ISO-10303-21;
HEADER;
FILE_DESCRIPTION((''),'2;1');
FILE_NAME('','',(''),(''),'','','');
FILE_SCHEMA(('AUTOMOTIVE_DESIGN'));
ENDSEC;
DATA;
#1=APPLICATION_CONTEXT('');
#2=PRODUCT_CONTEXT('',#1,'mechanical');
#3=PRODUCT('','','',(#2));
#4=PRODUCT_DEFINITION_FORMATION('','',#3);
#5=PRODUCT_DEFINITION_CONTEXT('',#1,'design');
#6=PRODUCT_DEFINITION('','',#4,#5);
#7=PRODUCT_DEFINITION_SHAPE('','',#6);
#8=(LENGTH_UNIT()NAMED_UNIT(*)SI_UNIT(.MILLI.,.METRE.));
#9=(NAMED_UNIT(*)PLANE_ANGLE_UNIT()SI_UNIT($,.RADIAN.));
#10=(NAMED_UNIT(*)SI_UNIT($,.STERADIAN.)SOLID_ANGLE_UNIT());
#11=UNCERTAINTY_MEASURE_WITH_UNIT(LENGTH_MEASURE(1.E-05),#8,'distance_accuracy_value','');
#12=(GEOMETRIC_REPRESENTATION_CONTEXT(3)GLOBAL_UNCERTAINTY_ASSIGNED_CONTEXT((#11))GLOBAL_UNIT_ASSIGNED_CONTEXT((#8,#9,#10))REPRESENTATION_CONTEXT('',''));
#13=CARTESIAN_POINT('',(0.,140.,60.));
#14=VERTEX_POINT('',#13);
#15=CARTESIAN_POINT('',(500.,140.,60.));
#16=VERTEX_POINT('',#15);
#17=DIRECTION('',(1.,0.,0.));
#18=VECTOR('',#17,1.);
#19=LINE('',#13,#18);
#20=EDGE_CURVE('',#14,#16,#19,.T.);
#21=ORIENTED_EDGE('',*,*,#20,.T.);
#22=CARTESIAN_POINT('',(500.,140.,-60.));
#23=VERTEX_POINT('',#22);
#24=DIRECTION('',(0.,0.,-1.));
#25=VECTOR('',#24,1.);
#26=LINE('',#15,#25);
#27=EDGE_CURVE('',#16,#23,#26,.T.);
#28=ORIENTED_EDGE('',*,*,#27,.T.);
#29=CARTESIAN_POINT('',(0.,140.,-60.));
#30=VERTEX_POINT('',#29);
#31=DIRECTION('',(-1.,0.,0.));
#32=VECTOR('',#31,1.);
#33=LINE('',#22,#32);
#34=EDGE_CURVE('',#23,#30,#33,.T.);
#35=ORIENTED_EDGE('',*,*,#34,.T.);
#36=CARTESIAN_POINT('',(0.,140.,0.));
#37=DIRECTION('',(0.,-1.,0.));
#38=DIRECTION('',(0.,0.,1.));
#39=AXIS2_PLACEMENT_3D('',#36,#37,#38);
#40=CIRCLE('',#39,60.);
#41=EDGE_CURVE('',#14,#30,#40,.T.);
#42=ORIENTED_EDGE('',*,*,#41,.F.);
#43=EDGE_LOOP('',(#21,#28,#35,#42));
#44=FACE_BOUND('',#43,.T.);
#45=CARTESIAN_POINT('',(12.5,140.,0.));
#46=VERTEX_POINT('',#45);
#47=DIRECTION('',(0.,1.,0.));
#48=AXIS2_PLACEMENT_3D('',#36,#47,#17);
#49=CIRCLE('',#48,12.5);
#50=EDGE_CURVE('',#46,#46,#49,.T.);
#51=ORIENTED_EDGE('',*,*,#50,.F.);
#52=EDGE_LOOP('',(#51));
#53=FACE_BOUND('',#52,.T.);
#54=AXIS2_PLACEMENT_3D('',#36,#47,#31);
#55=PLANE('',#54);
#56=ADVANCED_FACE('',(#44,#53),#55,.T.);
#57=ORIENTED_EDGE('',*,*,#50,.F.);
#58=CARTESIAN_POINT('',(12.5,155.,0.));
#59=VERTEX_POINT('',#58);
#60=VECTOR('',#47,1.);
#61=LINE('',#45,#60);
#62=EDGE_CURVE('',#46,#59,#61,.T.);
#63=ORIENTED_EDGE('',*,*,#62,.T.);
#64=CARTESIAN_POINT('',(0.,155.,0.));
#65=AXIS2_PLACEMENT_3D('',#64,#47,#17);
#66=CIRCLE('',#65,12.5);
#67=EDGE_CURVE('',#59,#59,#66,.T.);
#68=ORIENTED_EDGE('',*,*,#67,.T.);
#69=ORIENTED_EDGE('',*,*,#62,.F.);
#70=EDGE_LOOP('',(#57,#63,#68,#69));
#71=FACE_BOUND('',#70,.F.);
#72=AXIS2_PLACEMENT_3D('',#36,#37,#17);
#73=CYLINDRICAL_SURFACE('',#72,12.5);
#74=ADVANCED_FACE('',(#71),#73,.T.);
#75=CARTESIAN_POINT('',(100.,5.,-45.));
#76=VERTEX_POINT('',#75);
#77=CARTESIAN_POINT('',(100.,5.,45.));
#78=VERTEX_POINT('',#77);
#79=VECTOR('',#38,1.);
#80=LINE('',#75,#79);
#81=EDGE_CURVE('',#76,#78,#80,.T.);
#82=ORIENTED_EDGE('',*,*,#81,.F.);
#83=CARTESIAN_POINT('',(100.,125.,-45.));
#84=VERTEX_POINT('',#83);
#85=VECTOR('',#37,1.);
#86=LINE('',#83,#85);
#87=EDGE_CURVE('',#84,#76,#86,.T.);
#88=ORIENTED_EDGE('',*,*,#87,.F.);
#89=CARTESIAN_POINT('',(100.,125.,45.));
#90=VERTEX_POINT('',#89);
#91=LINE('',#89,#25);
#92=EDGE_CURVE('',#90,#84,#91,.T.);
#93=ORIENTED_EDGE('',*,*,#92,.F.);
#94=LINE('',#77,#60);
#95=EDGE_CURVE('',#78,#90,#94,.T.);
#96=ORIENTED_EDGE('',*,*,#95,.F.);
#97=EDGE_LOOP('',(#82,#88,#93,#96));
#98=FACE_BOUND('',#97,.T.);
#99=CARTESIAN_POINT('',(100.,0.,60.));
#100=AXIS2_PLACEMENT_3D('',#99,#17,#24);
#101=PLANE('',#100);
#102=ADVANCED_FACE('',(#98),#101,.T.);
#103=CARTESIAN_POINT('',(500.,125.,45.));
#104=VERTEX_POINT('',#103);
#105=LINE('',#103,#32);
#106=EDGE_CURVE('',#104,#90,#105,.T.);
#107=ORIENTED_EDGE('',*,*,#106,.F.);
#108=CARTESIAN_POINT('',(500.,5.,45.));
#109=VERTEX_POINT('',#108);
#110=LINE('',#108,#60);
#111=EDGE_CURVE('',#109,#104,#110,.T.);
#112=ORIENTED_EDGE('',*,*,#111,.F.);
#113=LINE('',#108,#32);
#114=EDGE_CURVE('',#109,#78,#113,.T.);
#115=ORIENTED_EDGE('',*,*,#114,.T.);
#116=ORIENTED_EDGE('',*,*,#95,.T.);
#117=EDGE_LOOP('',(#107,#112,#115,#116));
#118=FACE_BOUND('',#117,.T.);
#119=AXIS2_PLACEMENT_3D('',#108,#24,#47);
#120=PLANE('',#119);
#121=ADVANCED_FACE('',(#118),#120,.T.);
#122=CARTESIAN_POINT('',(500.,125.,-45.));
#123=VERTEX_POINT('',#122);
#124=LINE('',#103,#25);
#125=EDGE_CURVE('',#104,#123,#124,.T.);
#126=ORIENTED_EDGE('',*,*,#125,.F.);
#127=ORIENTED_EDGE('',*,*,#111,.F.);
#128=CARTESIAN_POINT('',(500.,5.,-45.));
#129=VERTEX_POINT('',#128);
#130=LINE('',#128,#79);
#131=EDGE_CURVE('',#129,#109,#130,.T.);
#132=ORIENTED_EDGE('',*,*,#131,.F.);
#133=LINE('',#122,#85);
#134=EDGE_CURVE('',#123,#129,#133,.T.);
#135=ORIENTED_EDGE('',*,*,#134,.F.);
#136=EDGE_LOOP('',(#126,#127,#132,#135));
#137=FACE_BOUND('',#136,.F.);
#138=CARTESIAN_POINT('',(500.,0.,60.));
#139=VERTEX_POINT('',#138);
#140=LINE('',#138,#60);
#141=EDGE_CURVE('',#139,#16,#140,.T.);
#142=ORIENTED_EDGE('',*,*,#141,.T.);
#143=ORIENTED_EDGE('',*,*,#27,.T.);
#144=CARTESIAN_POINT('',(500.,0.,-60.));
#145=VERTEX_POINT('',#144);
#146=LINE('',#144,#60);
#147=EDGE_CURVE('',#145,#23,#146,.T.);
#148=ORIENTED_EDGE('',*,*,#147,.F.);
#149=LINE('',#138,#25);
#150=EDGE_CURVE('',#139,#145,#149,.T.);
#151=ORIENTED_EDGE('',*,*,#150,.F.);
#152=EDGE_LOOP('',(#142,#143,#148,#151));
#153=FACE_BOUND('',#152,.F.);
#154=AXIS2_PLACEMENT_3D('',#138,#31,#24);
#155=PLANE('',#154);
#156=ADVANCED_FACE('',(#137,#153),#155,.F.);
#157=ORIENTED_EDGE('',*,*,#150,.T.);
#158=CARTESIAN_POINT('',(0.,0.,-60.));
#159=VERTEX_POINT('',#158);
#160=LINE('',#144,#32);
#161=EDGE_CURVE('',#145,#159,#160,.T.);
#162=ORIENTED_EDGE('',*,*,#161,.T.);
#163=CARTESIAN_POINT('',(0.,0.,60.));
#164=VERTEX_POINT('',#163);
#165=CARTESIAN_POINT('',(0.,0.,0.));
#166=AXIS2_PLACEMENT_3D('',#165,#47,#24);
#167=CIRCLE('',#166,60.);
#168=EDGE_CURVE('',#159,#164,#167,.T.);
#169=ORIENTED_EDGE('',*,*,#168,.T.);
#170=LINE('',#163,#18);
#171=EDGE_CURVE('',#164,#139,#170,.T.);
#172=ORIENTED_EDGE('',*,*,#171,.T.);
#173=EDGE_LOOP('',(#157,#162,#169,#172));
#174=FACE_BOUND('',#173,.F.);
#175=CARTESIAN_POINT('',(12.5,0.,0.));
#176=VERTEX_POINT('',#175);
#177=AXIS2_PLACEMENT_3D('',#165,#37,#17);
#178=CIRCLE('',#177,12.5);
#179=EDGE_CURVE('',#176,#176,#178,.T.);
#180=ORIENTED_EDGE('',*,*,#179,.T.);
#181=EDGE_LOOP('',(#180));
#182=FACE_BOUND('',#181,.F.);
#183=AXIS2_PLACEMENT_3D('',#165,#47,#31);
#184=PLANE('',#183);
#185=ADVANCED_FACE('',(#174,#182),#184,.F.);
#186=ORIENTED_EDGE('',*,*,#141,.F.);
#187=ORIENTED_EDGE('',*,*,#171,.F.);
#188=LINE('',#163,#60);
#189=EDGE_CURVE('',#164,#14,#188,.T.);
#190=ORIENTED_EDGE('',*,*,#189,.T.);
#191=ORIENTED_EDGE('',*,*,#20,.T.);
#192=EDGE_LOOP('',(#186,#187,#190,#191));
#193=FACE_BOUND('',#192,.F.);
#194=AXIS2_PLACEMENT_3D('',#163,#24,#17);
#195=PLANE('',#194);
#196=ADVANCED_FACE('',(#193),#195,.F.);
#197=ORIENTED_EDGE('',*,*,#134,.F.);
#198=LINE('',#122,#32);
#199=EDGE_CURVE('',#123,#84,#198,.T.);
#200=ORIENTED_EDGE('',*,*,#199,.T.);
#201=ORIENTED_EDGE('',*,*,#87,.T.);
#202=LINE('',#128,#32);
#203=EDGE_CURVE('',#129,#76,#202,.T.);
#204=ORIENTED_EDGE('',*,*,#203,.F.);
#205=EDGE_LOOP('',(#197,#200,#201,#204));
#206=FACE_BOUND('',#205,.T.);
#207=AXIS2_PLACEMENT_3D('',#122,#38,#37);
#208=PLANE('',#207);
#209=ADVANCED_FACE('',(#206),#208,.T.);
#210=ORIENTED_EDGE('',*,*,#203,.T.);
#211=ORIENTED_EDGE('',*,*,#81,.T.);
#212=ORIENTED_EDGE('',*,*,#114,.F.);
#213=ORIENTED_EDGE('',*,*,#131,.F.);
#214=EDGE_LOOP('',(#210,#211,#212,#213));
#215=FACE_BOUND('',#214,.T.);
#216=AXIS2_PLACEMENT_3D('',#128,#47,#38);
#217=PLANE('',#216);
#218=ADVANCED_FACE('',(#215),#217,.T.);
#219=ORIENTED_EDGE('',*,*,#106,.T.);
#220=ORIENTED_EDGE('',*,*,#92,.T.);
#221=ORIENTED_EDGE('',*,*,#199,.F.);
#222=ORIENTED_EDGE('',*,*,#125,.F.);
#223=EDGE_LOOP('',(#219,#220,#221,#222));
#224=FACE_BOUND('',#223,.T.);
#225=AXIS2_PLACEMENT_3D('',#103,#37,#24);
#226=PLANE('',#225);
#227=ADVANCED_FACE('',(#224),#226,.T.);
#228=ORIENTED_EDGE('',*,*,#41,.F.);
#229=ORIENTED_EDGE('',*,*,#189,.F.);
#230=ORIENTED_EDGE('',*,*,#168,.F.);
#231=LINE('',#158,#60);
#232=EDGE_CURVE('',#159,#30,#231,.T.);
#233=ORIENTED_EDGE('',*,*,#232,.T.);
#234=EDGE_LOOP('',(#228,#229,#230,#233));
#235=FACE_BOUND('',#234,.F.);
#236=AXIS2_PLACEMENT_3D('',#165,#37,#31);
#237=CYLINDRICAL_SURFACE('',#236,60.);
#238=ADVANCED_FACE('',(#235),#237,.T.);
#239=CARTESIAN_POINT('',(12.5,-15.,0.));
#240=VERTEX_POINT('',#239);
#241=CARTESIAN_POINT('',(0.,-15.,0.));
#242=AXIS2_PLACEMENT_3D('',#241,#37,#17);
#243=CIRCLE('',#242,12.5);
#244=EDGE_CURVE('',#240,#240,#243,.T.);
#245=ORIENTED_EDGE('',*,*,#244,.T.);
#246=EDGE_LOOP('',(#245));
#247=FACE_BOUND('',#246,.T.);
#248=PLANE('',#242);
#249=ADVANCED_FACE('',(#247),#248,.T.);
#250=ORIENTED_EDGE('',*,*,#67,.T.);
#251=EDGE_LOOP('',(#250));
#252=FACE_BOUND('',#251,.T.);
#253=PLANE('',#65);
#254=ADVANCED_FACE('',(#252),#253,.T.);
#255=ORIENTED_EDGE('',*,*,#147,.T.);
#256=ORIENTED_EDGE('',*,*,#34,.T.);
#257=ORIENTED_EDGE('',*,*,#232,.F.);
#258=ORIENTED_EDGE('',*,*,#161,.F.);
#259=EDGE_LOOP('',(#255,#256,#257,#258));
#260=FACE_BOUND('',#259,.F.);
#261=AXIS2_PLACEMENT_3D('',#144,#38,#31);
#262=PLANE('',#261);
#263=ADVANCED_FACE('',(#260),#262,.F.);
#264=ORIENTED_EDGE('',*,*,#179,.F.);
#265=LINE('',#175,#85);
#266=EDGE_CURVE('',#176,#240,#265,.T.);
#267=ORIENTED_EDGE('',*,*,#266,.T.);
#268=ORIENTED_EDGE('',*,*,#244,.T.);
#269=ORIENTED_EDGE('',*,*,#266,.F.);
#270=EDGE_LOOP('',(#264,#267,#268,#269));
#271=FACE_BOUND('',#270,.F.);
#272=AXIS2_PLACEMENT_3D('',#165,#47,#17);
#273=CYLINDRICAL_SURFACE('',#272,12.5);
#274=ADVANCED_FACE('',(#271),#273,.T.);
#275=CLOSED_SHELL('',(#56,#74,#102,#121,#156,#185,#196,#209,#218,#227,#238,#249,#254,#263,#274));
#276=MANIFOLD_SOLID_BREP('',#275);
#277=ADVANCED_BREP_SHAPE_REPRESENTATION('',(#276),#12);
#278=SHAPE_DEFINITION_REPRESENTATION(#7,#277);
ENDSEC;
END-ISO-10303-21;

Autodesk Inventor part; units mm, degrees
ref_plane "YZ Plane" through (0, 0, 0) normal (1, 0, 0) x (0, 1, 0)
ref_plane "XZ Plane" through (0, 0, 0) normal (0, 1, 0) x (-1, 0, 0)
ref_plane "XY Plane" through (0, 0, 0) normal (0, 0, 1) x (1, 0, 0)
sketch "Szkic1" plane through (0, 0, 0) normal (0, 1, 0) x (-1, 0, 0)
  circle A0 centre (0, 0) radius 60
  line L0 (0, 60) -> (-500, 60)
  line L1 (-500, 60) -> (-500, -60)
  line L2 (-500, -60) -> (0, -60)
  line L3 (0, -60) -> (0, 60)
  point P0 (0, -60)
  dimension "d0" = 120
  dimension "d1" = 500
  dimension "d2" = 120
extrude "Wyciągnięcie proste1" add sketch "Szkic1" along normal blind 140
sketch "Szkic2" plane through (0, 140, 0) normal (0, 1, 0) x (1, 0, 0)
  circle A0 centre (0, 0) radius 12.5
  dimension "d5" = 25
extrude "Wyciągnięcie proste2" add sketch "Szkic2" along normal blind 15
sketch "Szkic3" plane through (0, 0, 0) normal (0, -1, 0) x (1, 0, 0)
  circle A0 centre (0, 0) radius 12.5
  dimension "d8" = 25
extrude "Wyciągnięcie proste3" add sketch "Szkic3" along normal blind 15
sketch "Szkic4" plane through (500, 0, 60) normal (1, 0, 0) x (0, 0, -1)
  line L0 (0, 0) -> (0, 140) projected
  line L1 (0, 140) -> (120, 140) projected
  line L2 (120, 0) -> (120, 140) projected
  line L3 (0, 0) -> (120, 0) projected
  line L4 (15, 125) -> (105, 125)
  line L5 (105, 125) -> (105, 5)
  line L6 (105, 5) -> (15, 5)
  line L7 (15, 5) -> (15, 125)
  line L8 (15, 125) -> (105, 5) construction
  line L9 (105, 125) -> (15, 5) construction
  point P0 (60, 0)
  point P1 (60, 65)
  dimension "d11" = 90
  dimension "d12" = 120
  dimension "d13" = 15
  dimension "d14" = 15
extrude "Wyciągnięcie proste4" cut sketch "Szkic4" against normal blind 400 contours L4 L5 L6 L7
equation "\"PromieńGięcia\" = Grubość"
equation "\"SzerokośćGięciaPodcięcia\" = Grubość"
equation "\"GłębokośćGięciaPodcięcia\" = 0.5 * Grubość"
equation "\"RozmiarPodcięciaNarożnika\" = 4 * Grubość"
equation "\"MinimalnaPozostałość\" = 2 * Grubość"
equation "\"PromieńPrzejścia\" = PromieńGięcia"
equation "\"Rozmiar_promienia_Jacobiego\" = PromieńGięcia"
equation "\"Wielk_odstępu\" = Grubość"
equation "\"Grubość\" = 0.5"
properties part number "czesc2"
